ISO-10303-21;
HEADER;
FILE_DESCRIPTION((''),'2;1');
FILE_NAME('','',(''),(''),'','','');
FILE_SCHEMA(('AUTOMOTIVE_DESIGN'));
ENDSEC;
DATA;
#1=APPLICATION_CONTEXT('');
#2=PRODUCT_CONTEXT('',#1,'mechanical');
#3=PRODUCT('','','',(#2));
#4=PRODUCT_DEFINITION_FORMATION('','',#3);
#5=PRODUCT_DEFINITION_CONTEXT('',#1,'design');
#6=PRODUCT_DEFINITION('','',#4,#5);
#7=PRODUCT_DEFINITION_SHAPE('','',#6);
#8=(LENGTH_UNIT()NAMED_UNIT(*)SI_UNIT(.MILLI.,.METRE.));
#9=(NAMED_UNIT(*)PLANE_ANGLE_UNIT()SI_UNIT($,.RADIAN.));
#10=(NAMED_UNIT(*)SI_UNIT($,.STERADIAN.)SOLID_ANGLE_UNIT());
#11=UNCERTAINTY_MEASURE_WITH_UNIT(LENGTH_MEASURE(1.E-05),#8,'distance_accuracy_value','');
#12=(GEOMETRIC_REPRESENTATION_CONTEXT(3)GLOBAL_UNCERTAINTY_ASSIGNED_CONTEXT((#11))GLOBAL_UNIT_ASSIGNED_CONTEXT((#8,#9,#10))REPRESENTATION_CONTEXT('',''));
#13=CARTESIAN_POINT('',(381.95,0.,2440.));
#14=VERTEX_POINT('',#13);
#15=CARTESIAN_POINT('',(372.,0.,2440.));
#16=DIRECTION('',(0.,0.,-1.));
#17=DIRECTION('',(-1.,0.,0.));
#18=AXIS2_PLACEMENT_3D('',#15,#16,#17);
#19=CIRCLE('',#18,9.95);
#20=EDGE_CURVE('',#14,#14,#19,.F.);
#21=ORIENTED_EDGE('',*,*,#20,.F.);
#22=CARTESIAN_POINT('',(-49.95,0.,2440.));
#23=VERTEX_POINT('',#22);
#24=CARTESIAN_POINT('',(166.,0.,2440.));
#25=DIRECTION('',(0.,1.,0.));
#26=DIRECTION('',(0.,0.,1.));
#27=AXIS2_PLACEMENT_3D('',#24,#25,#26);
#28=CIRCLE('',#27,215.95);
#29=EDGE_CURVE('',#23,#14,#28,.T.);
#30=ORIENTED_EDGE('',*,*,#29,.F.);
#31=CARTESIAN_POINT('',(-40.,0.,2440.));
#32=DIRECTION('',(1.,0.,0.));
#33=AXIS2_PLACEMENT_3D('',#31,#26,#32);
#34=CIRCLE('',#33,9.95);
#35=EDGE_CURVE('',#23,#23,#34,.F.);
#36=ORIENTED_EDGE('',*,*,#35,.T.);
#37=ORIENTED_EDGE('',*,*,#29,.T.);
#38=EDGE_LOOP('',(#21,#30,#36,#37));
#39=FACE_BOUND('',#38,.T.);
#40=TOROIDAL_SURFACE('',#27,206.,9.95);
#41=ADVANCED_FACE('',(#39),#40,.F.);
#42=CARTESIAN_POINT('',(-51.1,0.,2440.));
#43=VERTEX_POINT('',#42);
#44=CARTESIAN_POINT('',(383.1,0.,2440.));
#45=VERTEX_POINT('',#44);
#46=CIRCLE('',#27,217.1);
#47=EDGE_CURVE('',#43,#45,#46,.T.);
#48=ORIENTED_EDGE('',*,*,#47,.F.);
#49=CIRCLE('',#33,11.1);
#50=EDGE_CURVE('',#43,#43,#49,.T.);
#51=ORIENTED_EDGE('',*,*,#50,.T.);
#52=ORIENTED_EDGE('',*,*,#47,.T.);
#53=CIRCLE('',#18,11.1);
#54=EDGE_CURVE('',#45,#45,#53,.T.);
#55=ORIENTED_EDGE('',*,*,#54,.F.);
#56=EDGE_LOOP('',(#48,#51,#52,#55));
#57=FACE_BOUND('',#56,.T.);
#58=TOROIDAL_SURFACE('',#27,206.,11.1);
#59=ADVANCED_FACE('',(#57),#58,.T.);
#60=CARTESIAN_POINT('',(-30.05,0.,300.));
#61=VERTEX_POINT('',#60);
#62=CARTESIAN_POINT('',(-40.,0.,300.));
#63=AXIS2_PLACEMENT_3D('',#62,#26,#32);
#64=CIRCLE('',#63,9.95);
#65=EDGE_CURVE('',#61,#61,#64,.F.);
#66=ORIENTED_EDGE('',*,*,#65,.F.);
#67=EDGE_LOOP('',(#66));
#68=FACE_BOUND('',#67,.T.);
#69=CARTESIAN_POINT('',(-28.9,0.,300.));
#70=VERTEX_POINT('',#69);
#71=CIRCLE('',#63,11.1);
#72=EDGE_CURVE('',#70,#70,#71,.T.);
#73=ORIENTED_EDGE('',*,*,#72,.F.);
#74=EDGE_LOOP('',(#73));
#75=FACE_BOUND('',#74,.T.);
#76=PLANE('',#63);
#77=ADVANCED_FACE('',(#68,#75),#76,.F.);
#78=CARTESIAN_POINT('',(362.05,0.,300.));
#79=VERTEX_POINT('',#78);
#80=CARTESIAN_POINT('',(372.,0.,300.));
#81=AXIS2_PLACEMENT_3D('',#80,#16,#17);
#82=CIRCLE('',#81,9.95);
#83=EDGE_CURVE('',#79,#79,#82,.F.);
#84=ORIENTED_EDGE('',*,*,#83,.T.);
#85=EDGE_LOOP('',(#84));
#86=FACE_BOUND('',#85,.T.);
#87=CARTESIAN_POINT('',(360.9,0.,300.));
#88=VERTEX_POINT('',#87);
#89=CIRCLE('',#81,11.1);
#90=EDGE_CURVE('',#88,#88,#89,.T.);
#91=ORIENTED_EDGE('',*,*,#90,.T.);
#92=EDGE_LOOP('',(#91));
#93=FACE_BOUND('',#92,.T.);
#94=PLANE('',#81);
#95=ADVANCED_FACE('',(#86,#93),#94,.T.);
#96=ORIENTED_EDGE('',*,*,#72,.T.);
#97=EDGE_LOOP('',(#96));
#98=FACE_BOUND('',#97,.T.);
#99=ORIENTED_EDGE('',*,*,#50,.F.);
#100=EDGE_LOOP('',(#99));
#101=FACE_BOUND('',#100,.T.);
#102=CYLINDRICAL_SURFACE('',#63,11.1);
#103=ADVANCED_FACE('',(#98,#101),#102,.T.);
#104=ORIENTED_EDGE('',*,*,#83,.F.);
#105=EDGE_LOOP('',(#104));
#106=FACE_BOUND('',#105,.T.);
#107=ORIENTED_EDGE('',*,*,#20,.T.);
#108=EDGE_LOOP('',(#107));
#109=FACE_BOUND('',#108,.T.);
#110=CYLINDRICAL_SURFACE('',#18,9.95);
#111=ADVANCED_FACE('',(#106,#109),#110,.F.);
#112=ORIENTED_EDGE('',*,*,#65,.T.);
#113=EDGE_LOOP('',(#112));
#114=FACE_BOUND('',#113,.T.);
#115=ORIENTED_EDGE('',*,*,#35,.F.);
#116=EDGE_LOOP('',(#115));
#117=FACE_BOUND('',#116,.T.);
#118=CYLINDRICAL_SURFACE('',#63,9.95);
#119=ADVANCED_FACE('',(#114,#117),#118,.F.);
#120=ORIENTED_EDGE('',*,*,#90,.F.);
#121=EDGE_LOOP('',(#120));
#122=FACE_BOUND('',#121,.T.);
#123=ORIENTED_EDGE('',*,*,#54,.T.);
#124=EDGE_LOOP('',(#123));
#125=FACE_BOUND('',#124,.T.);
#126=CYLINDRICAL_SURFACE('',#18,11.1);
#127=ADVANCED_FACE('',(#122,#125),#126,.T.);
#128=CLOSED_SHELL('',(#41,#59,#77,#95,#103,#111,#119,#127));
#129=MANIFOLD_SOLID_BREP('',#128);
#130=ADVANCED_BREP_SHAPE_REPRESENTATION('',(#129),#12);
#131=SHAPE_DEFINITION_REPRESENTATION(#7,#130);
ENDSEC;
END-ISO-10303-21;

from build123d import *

# Parameters (mm, degrees)
SKETCH2_R   = 11.1
SKETCH2_R_2 = 9.95


with BuildPart() as part:
    # Sweep1: sweep along a path in Sketch1
    with BuildLine(Plane(origin=(0, 0, 0), x_dir=(1, 0, 0), z_dir=(0, 1, 0))) as sweep1_path:
        Line((372, -300), (372, -2440))
        ThreePointArc((372, -2440), (166, -2646), (-40, -2440))
        Line((-40, -2440), (-40, -300))
    # Sketch2 → Sweep1 (sweep)
    with BuildSketch(Plane(origin=(372, 0, 300), x_dir=(-1, 0, 0), z_dir=(0, 0, -1))):
        Circle(SKETCH2_R)
        Circle(SKETCH2_R_2, mode=Mode.SUBTRACT)
    sweep(path=sweep1_path.line)


solid = part.part
